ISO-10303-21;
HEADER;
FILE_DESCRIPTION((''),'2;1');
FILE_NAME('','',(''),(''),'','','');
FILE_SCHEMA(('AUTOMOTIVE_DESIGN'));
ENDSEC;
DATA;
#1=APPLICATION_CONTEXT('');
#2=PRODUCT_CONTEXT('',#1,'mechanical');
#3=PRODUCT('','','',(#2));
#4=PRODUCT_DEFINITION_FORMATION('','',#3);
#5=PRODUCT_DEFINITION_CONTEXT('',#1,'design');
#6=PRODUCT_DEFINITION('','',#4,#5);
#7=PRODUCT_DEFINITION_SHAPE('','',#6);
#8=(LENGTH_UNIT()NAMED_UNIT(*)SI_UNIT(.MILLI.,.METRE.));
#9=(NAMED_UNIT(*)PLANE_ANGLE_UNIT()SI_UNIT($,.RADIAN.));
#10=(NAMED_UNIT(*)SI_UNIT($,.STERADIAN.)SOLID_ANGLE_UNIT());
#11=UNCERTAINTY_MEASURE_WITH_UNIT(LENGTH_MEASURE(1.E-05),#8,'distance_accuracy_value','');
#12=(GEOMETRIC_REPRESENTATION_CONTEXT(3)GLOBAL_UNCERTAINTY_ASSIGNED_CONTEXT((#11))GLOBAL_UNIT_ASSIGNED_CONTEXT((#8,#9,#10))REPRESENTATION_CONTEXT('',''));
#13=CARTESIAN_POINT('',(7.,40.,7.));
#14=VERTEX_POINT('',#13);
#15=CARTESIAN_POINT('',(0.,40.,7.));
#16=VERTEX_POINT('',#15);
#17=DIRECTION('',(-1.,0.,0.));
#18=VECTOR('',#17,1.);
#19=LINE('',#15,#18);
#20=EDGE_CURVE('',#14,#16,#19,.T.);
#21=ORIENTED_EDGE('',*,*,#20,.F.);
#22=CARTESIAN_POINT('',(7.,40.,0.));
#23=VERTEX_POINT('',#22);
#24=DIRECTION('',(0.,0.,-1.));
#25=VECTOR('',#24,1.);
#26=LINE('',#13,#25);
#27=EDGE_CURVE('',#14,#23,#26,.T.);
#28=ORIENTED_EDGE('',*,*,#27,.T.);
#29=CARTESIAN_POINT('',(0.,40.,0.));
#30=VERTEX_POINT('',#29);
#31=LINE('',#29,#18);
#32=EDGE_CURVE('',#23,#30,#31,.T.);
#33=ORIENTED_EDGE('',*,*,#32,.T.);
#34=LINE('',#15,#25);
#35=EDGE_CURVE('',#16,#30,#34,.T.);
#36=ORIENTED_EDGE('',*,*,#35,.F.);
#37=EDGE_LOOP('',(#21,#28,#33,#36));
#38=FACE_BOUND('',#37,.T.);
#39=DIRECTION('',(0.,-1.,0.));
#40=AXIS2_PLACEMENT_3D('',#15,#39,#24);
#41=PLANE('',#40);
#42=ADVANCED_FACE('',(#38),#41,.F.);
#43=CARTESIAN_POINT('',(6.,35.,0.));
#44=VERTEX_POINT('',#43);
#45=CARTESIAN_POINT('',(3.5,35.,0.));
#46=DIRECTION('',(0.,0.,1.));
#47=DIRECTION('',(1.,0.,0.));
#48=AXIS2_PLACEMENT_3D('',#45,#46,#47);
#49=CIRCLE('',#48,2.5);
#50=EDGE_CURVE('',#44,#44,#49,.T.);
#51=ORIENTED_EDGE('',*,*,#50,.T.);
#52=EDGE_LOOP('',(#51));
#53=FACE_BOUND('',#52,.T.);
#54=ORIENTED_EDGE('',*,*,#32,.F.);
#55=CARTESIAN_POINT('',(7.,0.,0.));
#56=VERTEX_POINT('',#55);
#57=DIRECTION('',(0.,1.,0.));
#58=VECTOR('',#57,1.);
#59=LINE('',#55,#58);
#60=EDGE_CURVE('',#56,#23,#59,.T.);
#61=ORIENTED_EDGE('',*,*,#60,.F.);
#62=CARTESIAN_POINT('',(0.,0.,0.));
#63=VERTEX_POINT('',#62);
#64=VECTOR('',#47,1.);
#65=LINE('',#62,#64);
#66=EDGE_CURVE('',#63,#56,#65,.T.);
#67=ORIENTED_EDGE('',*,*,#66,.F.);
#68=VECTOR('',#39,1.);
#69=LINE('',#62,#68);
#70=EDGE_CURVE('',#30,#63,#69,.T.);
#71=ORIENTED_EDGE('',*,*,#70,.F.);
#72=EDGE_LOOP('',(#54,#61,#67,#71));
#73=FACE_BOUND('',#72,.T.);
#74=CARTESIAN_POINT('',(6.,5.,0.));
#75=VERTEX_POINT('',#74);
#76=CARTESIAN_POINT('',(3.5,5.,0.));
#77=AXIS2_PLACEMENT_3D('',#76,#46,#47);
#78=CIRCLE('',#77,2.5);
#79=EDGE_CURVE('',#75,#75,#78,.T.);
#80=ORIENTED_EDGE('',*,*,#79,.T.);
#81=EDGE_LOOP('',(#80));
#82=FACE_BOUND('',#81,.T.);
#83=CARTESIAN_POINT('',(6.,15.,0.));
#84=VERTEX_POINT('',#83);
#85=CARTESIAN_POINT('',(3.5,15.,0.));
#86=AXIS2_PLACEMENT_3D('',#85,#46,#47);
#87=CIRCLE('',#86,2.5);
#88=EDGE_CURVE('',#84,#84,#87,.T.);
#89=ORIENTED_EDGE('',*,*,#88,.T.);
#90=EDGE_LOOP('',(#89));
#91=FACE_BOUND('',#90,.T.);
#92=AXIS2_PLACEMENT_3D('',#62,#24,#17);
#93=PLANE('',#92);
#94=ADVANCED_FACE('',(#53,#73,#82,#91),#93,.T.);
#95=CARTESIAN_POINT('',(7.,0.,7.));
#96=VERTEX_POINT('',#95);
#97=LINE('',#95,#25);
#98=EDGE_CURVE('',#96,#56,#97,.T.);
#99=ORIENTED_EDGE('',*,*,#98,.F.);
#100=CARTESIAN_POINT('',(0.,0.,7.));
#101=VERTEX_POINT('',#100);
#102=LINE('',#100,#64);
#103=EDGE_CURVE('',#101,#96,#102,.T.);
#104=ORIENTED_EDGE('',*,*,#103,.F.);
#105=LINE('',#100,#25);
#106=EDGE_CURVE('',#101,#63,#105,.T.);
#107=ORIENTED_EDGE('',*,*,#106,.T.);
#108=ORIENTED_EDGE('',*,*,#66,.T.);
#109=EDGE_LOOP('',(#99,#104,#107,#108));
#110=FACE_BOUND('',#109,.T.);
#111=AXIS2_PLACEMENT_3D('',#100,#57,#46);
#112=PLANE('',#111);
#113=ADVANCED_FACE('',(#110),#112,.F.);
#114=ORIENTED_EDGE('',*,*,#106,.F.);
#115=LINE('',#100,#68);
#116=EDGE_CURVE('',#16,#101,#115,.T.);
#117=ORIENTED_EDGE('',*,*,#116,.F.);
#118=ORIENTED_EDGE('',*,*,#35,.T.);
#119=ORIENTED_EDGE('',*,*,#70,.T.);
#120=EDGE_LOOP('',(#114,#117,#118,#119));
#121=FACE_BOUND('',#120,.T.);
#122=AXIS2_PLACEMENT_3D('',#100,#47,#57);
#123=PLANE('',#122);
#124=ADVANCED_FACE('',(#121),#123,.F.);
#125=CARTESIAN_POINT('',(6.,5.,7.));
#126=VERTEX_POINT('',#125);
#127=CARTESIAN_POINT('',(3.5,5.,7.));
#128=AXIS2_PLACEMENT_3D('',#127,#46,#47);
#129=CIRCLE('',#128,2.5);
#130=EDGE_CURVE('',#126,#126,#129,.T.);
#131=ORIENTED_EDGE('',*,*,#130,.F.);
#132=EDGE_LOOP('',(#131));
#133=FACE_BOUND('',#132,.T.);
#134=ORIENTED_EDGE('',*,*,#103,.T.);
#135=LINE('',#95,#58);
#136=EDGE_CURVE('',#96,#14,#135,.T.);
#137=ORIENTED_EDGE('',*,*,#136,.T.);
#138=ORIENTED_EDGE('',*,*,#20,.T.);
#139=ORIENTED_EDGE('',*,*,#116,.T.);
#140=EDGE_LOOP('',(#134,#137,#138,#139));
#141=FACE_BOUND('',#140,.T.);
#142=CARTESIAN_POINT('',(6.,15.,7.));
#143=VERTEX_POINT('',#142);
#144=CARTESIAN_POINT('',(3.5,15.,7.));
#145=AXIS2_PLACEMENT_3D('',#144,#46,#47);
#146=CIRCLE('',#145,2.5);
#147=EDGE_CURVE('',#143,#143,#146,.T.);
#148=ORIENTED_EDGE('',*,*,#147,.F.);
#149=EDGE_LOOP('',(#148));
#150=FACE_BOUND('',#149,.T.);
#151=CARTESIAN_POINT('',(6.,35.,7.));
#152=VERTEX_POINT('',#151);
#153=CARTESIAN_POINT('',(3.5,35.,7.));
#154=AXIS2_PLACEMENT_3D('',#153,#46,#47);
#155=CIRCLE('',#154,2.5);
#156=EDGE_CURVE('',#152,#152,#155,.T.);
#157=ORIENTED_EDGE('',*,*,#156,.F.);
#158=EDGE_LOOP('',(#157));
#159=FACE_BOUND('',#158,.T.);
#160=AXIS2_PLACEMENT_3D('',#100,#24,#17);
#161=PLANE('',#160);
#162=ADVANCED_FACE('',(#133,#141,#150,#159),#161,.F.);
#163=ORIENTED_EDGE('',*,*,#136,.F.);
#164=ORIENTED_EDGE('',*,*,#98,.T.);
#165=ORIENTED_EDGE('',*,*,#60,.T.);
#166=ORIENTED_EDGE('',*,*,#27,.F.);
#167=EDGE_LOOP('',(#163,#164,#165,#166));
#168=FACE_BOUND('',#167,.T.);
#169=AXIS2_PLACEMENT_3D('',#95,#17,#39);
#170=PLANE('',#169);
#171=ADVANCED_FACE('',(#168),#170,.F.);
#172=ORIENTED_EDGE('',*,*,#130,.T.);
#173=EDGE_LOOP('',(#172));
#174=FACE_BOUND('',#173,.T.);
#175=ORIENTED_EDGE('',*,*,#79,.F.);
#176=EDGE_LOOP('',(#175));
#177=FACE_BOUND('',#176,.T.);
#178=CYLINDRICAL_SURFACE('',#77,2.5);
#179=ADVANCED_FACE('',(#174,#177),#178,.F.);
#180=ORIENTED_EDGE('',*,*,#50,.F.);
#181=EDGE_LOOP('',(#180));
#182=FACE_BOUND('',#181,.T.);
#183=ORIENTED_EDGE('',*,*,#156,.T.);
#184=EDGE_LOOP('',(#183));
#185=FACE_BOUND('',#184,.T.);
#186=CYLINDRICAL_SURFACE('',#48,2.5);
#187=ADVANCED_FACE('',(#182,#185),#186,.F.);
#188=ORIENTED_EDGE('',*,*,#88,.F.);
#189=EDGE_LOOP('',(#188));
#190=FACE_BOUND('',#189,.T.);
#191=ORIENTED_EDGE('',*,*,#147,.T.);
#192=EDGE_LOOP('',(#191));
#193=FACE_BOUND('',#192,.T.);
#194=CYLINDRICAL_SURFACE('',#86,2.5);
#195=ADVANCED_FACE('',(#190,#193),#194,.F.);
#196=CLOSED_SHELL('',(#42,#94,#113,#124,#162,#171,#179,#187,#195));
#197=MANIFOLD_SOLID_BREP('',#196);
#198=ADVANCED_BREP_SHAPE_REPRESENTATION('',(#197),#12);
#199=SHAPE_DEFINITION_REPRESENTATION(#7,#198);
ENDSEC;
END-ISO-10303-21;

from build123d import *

# Parameters (mm, degrees)
SKETCH1_W           = 7
SKETCH1_H           = 40
BOSS_EXTRUDE1_DEPTH = 7
SKETCH2_R           = 2.5
CUT_EXTRUDE1_DEPTH  = 7


with BuildPart() as part:
    # Sketch1 → Boss-Extrude1 (new body)
    with BuildSketch(Plane.XY):
        with Locations((3.5, 20)):
            Rectangle(SKETCH1_W, SKETCH1_H)
    extrude(amount=BOSS_EXTRUDE1_DEPTH)

    # Sketch2 → Cut-Extrude1 (cut)
    with BuildSketch(Plane.XY.offset(7)):
        with Locations((3.5, 5)):
            Circle(SKETCH2_R)
        with Locations((3.5, 15)):
            Circle(SKETCH2_R)
        with Locations((3.5, 35)):
            Circle(SKETCH2_R)
    extrude(amount=-CUT_EXTRUDE1_DEPTH, mode=Mode.SUBTRACT)


solid = part.part
